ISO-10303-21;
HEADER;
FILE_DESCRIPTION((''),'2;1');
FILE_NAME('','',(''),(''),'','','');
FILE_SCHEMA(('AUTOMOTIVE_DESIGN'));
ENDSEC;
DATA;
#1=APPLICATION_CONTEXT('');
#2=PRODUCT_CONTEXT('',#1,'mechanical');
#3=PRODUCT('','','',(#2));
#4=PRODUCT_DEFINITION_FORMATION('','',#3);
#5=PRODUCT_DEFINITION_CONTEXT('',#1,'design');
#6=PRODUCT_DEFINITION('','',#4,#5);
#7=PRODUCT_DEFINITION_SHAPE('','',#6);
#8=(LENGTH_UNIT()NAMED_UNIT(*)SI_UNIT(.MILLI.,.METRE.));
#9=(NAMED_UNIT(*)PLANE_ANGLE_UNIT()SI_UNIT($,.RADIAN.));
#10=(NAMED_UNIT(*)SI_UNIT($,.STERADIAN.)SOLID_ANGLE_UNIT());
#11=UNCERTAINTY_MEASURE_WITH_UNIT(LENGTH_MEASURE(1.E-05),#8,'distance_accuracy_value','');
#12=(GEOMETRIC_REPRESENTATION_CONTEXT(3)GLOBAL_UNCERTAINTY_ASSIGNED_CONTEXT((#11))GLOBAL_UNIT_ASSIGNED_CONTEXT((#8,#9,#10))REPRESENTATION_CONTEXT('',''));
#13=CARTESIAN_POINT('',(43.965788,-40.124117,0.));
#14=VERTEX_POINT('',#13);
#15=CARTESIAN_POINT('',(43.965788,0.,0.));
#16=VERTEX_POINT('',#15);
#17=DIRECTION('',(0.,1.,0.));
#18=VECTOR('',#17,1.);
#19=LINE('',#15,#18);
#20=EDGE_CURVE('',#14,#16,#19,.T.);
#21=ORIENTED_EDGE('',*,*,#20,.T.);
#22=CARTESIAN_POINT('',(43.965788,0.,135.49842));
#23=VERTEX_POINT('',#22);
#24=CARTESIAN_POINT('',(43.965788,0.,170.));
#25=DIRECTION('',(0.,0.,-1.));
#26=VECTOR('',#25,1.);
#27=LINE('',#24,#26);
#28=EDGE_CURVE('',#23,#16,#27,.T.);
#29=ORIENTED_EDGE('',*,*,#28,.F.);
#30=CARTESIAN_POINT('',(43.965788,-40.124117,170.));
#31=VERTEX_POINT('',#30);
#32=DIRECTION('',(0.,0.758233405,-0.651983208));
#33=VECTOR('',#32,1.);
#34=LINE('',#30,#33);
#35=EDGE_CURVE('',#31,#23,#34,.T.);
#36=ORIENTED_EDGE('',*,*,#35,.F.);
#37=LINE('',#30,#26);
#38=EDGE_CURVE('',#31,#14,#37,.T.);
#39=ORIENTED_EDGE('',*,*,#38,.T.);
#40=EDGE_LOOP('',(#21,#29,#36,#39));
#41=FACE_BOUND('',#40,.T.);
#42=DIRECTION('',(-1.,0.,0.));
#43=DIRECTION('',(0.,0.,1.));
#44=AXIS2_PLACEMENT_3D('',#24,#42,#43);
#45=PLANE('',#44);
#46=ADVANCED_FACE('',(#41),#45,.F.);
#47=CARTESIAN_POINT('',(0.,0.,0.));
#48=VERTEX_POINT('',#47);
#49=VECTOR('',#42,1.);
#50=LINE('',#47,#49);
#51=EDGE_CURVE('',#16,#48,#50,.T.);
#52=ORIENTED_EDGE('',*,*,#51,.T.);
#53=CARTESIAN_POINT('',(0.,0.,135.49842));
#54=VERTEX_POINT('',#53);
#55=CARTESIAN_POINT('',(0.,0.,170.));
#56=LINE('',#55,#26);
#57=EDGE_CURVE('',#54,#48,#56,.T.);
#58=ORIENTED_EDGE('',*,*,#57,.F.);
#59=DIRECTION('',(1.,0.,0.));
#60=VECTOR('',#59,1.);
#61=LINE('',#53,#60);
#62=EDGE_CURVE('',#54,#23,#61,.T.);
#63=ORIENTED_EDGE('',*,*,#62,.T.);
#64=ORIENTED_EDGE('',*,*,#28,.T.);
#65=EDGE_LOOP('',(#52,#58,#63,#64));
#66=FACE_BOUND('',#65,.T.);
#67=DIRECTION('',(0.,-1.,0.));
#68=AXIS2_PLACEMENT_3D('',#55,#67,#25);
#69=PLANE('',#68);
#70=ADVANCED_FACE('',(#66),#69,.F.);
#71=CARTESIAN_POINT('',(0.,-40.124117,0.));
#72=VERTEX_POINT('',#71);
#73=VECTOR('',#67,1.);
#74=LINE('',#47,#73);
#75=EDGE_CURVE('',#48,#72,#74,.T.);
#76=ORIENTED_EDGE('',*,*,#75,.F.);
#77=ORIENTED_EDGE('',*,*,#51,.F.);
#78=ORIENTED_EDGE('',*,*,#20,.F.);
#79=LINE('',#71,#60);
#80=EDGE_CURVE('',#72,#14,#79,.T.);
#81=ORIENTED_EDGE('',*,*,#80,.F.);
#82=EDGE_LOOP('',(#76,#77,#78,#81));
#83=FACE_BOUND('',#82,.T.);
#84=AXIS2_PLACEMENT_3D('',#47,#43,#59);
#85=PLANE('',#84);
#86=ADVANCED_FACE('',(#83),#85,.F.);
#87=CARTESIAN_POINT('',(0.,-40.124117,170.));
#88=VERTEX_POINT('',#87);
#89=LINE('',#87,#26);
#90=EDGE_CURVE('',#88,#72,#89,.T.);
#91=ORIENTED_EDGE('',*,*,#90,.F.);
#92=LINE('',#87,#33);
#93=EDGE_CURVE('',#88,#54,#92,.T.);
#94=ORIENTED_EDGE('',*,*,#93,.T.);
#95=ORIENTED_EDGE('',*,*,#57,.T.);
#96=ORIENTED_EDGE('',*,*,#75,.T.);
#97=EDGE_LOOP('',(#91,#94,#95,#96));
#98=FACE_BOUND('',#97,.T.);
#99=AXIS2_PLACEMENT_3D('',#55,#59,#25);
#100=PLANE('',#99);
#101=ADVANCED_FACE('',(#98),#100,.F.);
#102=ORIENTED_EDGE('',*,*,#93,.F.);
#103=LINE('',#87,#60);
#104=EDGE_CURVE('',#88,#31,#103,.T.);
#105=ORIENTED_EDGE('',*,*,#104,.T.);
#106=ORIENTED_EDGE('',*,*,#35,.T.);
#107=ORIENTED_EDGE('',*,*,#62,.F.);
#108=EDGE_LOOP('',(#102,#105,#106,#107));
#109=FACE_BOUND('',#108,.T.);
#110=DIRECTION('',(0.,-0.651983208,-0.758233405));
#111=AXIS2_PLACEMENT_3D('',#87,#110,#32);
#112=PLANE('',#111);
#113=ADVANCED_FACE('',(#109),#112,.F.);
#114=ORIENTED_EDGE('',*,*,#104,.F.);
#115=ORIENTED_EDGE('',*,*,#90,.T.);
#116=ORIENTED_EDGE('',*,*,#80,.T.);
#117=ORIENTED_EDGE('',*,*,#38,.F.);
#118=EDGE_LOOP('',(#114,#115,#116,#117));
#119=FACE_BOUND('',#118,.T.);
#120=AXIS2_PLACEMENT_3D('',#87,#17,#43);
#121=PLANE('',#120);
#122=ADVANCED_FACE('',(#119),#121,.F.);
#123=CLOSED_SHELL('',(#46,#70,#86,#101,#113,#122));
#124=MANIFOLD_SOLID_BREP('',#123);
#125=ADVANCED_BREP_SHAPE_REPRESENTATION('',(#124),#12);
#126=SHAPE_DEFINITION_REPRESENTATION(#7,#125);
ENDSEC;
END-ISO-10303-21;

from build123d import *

# Parameters (mm, degrees)
SKETCH1_W           = 43.96578767
SKETCH1_H           = 40.124116903
BOSS_EXTRUDE1_DEPTH = 170
CUT_EXTRUDE1_DEPTH  = 181.119225078


with BuildPart() as part:
    # Sketch1 → Boss-Extrude1 (new body)
    with BuildSketch(Plane.XY):
        with Locations((21.982893835, -20.062058452)):
            Rectangle(SKETCH1_W, SKETCH1_H)
    extrude(amount=BOSS_EXTRUDE1_DEPTH)

    # Sketch2 → Cut-Extrude1 (cut, through all)
    with BuildSketch(Plane(origin=(43.96578767, 0, 0), x_dir=(0, 0, -1), z_dir=(1, 0, 0))):
        Polygon((-170, -40.124116903), (-135.498420038, 0), (-170, 0), align=None)
    extrude(amount=-CUT_EXTRUDE1_DEPTH, mode=Mode.SUBTRACT)


solid = part.part
